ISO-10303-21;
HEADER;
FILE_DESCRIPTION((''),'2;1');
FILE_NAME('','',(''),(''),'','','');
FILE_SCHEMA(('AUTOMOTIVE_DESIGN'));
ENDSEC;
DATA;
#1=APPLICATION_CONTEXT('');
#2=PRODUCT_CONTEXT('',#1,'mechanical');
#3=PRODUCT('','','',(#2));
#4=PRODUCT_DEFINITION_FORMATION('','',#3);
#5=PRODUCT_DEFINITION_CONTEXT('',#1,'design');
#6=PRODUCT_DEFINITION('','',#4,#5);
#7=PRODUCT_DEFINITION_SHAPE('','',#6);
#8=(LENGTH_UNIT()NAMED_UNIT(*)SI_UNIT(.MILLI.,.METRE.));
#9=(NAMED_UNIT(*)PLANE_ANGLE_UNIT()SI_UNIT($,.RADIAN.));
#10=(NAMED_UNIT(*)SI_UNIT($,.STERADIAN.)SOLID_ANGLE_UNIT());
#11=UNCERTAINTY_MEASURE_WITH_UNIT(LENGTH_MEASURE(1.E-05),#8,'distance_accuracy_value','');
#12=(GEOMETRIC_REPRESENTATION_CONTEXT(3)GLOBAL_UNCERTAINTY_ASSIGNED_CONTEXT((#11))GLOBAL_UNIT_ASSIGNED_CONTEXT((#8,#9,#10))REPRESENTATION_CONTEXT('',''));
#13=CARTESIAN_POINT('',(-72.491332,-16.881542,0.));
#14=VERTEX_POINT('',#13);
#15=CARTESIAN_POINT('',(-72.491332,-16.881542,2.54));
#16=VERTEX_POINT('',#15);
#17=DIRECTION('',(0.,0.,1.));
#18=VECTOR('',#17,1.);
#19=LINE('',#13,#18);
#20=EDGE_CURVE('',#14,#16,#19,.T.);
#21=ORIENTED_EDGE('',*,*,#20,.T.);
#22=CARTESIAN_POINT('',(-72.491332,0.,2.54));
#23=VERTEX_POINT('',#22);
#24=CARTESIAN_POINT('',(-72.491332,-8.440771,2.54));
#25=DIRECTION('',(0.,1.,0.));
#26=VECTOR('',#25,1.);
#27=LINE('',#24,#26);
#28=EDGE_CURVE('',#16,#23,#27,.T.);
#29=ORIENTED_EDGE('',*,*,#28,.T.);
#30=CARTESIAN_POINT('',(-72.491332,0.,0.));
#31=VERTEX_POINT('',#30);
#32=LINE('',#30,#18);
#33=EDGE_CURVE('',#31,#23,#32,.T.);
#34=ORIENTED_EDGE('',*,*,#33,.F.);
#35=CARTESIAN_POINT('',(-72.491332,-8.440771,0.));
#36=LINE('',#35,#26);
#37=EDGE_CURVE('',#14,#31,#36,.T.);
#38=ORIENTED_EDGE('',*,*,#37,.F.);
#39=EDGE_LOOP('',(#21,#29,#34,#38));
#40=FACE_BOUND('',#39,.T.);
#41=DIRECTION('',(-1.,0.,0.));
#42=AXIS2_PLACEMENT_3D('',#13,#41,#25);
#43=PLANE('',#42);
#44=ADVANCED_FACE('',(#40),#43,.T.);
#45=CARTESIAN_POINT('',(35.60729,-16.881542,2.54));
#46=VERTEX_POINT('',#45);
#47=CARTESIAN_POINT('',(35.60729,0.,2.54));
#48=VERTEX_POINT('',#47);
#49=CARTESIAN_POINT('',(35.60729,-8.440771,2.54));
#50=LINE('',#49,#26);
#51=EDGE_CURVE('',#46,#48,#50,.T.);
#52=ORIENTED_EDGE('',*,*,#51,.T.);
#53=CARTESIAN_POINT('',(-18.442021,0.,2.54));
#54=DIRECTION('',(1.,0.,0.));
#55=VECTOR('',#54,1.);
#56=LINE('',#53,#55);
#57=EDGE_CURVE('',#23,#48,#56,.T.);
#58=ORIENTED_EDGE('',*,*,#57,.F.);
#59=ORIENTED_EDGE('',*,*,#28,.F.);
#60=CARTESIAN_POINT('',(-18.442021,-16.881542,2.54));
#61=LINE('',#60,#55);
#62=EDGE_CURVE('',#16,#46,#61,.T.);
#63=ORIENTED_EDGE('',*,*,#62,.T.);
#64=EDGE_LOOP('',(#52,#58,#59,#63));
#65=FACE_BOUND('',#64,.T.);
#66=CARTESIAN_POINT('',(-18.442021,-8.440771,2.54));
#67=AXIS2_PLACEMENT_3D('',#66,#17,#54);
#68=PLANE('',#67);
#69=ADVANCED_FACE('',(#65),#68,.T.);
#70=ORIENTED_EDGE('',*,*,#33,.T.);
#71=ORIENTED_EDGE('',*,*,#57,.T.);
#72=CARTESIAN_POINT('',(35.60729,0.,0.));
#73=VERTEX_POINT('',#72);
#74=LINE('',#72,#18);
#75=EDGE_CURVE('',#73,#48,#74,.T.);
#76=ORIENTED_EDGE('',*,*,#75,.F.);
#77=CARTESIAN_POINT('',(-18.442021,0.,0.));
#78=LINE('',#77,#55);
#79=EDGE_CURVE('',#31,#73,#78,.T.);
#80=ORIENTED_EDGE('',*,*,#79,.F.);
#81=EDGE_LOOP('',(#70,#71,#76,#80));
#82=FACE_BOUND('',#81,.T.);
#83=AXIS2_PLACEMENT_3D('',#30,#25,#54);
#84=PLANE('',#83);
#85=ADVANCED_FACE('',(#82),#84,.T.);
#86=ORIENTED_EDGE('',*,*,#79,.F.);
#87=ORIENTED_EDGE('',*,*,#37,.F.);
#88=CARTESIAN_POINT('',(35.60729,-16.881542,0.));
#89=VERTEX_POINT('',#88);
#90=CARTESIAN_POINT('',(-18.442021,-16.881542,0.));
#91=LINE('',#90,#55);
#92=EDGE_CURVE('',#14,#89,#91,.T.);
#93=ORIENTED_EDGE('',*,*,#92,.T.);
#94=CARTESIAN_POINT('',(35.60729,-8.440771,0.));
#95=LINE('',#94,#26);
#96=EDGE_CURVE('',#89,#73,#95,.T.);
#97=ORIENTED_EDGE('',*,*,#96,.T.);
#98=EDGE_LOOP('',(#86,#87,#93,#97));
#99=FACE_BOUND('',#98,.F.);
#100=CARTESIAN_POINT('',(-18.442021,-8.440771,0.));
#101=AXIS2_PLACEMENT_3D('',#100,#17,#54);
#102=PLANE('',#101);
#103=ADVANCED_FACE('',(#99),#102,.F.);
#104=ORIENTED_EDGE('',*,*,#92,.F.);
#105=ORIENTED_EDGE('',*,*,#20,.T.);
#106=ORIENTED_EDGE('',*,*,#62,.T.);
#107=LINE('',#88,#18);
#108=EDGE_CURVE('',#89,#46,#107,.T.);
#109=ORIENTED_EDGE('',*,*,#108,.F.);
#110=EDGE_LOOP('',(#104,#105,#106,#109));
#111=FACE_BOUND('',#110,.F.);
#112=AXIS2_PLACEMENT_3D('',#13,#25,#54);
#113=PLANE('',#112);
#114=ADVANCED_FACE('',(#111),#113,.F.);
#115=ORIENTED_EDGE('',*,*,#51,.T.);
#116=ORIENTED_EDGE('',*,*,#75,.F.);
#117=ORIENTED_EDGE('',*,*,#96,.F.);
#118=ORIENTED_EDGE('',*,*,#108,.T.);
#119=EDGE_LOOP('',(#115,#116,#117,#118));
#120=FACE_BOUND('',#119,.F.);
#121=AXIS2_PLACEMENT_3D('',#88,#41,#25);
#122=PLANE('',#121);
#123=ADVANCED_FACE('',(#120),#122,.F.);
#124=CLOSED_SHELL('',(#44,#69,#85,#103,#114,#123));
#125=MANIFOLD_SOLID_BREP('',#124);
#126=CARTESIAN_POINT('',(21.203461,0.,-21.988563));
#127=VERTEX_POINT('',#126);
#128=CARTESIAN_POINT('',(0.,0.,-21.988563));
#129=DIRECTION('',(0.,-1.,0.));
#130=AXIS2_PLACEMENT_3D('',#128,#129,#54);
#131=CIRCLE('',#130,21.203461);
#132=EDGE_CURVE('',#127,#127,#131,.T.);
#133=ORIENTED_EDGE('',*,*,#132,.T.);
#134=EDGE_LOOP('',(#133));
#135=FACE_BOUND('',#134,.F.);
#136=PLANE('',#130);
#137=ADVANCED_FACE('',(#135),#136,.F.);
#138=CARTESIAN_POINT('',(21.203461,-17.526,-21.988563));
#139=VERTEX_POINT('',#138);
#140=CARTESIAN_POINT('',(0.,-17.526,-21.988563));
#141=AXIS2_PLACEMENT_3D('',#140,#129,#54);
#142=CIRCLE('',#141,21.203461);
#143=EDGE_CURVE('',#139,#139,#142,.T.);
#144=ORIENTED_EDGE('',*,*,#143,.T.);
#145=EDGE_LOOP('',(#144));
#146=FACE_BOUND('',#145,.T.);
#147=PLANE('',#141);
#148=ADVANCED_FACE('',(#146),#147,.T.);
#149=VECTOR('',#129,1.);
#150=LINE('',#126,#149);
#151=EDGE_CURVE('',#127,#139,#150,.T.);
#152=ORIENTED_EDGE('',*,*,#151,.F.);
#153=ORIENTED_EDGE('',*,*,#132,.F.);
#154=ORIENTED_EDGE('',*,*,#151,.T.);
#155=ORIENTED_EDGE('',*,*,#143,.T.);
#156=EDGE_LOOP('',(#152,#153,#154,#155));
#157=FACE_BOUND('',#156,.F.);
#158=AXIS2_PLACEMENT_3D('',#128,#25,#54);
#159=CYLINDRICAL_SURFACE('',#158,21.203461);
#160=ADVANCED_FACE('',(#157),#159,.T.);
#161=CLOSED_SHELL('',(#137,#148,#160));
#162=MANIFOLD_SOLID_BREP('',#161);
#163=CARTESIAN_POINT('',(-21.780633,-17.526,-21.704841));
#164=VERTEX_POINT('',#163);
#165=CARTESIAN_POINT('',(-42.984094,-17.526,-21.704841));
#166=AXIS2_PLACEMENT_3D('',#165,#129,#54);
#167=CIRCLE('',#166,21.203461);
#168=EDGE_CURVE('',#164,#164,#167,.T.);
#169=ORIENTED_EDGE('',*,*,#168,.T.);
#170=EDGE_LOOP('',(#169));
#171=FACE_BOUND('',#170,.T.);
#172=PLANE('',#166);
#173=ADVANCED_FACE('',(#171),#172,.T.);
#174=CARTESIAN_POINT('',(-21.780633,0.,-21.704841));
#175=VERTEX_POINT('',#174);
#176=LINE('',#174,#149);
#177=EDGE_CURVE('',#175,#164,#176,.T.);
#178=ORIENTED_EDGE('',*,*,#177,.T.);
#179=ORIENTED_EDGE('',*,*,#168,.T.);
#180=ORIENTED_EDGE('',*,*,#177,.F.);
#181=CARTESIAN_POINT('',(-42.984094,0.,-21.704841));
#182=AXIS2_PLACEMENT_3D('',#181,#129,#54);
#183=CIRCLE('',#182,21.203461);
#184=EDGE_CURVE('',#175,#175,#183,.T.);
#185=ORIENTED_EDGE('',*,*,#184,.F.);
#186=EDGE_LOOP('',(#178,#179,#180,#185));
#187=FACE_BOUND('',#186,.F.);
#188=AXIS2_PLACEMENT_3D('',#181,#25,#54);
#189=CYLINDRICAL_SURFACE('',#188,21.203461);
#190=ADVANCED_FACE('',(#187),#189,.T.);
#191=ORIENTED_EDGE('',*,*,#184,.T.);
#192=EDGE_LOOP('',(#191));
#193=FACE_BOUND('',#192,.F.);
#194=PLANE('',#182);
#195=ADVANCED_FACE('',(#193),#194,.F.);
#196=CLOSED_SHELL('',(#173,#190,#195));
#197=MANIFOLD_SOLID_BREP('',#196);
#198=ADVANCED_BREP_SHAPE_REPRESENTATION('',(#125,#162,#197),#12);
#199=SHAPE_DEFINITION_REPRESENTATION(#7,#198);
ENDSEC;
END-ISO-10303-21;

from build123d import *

# Parameters (mm, degrees)
F0_W     = 108.098623
F0_H     = 16.881542
F1_DEPTH = 2.54
F2_R     = 21.203461
F3_DEPTH = 17.526


with BuildPart() as f1:
    # F0 (on Top) → F1 (new body)
    with BuildSketch(Plane.XY):
        with Locations((-18.442021, -8.440771)):
            Rectangle(F0_W, F0_H)
    extrude(amount=F1_DEPTH)


with BuildPart() as f3:
    # F2 (on Front) → F3 (new body)
    with BuildSketch(Plane.XZ):
        with Locations((-42.984094, -21.704841)):
            Circle(F2_R)
        with Locations((0, -21.988563)):
            Circle(F2_R)
    extrude(amount=F3_DEPTH)


solid = Compound([f1.part, f3.part])
